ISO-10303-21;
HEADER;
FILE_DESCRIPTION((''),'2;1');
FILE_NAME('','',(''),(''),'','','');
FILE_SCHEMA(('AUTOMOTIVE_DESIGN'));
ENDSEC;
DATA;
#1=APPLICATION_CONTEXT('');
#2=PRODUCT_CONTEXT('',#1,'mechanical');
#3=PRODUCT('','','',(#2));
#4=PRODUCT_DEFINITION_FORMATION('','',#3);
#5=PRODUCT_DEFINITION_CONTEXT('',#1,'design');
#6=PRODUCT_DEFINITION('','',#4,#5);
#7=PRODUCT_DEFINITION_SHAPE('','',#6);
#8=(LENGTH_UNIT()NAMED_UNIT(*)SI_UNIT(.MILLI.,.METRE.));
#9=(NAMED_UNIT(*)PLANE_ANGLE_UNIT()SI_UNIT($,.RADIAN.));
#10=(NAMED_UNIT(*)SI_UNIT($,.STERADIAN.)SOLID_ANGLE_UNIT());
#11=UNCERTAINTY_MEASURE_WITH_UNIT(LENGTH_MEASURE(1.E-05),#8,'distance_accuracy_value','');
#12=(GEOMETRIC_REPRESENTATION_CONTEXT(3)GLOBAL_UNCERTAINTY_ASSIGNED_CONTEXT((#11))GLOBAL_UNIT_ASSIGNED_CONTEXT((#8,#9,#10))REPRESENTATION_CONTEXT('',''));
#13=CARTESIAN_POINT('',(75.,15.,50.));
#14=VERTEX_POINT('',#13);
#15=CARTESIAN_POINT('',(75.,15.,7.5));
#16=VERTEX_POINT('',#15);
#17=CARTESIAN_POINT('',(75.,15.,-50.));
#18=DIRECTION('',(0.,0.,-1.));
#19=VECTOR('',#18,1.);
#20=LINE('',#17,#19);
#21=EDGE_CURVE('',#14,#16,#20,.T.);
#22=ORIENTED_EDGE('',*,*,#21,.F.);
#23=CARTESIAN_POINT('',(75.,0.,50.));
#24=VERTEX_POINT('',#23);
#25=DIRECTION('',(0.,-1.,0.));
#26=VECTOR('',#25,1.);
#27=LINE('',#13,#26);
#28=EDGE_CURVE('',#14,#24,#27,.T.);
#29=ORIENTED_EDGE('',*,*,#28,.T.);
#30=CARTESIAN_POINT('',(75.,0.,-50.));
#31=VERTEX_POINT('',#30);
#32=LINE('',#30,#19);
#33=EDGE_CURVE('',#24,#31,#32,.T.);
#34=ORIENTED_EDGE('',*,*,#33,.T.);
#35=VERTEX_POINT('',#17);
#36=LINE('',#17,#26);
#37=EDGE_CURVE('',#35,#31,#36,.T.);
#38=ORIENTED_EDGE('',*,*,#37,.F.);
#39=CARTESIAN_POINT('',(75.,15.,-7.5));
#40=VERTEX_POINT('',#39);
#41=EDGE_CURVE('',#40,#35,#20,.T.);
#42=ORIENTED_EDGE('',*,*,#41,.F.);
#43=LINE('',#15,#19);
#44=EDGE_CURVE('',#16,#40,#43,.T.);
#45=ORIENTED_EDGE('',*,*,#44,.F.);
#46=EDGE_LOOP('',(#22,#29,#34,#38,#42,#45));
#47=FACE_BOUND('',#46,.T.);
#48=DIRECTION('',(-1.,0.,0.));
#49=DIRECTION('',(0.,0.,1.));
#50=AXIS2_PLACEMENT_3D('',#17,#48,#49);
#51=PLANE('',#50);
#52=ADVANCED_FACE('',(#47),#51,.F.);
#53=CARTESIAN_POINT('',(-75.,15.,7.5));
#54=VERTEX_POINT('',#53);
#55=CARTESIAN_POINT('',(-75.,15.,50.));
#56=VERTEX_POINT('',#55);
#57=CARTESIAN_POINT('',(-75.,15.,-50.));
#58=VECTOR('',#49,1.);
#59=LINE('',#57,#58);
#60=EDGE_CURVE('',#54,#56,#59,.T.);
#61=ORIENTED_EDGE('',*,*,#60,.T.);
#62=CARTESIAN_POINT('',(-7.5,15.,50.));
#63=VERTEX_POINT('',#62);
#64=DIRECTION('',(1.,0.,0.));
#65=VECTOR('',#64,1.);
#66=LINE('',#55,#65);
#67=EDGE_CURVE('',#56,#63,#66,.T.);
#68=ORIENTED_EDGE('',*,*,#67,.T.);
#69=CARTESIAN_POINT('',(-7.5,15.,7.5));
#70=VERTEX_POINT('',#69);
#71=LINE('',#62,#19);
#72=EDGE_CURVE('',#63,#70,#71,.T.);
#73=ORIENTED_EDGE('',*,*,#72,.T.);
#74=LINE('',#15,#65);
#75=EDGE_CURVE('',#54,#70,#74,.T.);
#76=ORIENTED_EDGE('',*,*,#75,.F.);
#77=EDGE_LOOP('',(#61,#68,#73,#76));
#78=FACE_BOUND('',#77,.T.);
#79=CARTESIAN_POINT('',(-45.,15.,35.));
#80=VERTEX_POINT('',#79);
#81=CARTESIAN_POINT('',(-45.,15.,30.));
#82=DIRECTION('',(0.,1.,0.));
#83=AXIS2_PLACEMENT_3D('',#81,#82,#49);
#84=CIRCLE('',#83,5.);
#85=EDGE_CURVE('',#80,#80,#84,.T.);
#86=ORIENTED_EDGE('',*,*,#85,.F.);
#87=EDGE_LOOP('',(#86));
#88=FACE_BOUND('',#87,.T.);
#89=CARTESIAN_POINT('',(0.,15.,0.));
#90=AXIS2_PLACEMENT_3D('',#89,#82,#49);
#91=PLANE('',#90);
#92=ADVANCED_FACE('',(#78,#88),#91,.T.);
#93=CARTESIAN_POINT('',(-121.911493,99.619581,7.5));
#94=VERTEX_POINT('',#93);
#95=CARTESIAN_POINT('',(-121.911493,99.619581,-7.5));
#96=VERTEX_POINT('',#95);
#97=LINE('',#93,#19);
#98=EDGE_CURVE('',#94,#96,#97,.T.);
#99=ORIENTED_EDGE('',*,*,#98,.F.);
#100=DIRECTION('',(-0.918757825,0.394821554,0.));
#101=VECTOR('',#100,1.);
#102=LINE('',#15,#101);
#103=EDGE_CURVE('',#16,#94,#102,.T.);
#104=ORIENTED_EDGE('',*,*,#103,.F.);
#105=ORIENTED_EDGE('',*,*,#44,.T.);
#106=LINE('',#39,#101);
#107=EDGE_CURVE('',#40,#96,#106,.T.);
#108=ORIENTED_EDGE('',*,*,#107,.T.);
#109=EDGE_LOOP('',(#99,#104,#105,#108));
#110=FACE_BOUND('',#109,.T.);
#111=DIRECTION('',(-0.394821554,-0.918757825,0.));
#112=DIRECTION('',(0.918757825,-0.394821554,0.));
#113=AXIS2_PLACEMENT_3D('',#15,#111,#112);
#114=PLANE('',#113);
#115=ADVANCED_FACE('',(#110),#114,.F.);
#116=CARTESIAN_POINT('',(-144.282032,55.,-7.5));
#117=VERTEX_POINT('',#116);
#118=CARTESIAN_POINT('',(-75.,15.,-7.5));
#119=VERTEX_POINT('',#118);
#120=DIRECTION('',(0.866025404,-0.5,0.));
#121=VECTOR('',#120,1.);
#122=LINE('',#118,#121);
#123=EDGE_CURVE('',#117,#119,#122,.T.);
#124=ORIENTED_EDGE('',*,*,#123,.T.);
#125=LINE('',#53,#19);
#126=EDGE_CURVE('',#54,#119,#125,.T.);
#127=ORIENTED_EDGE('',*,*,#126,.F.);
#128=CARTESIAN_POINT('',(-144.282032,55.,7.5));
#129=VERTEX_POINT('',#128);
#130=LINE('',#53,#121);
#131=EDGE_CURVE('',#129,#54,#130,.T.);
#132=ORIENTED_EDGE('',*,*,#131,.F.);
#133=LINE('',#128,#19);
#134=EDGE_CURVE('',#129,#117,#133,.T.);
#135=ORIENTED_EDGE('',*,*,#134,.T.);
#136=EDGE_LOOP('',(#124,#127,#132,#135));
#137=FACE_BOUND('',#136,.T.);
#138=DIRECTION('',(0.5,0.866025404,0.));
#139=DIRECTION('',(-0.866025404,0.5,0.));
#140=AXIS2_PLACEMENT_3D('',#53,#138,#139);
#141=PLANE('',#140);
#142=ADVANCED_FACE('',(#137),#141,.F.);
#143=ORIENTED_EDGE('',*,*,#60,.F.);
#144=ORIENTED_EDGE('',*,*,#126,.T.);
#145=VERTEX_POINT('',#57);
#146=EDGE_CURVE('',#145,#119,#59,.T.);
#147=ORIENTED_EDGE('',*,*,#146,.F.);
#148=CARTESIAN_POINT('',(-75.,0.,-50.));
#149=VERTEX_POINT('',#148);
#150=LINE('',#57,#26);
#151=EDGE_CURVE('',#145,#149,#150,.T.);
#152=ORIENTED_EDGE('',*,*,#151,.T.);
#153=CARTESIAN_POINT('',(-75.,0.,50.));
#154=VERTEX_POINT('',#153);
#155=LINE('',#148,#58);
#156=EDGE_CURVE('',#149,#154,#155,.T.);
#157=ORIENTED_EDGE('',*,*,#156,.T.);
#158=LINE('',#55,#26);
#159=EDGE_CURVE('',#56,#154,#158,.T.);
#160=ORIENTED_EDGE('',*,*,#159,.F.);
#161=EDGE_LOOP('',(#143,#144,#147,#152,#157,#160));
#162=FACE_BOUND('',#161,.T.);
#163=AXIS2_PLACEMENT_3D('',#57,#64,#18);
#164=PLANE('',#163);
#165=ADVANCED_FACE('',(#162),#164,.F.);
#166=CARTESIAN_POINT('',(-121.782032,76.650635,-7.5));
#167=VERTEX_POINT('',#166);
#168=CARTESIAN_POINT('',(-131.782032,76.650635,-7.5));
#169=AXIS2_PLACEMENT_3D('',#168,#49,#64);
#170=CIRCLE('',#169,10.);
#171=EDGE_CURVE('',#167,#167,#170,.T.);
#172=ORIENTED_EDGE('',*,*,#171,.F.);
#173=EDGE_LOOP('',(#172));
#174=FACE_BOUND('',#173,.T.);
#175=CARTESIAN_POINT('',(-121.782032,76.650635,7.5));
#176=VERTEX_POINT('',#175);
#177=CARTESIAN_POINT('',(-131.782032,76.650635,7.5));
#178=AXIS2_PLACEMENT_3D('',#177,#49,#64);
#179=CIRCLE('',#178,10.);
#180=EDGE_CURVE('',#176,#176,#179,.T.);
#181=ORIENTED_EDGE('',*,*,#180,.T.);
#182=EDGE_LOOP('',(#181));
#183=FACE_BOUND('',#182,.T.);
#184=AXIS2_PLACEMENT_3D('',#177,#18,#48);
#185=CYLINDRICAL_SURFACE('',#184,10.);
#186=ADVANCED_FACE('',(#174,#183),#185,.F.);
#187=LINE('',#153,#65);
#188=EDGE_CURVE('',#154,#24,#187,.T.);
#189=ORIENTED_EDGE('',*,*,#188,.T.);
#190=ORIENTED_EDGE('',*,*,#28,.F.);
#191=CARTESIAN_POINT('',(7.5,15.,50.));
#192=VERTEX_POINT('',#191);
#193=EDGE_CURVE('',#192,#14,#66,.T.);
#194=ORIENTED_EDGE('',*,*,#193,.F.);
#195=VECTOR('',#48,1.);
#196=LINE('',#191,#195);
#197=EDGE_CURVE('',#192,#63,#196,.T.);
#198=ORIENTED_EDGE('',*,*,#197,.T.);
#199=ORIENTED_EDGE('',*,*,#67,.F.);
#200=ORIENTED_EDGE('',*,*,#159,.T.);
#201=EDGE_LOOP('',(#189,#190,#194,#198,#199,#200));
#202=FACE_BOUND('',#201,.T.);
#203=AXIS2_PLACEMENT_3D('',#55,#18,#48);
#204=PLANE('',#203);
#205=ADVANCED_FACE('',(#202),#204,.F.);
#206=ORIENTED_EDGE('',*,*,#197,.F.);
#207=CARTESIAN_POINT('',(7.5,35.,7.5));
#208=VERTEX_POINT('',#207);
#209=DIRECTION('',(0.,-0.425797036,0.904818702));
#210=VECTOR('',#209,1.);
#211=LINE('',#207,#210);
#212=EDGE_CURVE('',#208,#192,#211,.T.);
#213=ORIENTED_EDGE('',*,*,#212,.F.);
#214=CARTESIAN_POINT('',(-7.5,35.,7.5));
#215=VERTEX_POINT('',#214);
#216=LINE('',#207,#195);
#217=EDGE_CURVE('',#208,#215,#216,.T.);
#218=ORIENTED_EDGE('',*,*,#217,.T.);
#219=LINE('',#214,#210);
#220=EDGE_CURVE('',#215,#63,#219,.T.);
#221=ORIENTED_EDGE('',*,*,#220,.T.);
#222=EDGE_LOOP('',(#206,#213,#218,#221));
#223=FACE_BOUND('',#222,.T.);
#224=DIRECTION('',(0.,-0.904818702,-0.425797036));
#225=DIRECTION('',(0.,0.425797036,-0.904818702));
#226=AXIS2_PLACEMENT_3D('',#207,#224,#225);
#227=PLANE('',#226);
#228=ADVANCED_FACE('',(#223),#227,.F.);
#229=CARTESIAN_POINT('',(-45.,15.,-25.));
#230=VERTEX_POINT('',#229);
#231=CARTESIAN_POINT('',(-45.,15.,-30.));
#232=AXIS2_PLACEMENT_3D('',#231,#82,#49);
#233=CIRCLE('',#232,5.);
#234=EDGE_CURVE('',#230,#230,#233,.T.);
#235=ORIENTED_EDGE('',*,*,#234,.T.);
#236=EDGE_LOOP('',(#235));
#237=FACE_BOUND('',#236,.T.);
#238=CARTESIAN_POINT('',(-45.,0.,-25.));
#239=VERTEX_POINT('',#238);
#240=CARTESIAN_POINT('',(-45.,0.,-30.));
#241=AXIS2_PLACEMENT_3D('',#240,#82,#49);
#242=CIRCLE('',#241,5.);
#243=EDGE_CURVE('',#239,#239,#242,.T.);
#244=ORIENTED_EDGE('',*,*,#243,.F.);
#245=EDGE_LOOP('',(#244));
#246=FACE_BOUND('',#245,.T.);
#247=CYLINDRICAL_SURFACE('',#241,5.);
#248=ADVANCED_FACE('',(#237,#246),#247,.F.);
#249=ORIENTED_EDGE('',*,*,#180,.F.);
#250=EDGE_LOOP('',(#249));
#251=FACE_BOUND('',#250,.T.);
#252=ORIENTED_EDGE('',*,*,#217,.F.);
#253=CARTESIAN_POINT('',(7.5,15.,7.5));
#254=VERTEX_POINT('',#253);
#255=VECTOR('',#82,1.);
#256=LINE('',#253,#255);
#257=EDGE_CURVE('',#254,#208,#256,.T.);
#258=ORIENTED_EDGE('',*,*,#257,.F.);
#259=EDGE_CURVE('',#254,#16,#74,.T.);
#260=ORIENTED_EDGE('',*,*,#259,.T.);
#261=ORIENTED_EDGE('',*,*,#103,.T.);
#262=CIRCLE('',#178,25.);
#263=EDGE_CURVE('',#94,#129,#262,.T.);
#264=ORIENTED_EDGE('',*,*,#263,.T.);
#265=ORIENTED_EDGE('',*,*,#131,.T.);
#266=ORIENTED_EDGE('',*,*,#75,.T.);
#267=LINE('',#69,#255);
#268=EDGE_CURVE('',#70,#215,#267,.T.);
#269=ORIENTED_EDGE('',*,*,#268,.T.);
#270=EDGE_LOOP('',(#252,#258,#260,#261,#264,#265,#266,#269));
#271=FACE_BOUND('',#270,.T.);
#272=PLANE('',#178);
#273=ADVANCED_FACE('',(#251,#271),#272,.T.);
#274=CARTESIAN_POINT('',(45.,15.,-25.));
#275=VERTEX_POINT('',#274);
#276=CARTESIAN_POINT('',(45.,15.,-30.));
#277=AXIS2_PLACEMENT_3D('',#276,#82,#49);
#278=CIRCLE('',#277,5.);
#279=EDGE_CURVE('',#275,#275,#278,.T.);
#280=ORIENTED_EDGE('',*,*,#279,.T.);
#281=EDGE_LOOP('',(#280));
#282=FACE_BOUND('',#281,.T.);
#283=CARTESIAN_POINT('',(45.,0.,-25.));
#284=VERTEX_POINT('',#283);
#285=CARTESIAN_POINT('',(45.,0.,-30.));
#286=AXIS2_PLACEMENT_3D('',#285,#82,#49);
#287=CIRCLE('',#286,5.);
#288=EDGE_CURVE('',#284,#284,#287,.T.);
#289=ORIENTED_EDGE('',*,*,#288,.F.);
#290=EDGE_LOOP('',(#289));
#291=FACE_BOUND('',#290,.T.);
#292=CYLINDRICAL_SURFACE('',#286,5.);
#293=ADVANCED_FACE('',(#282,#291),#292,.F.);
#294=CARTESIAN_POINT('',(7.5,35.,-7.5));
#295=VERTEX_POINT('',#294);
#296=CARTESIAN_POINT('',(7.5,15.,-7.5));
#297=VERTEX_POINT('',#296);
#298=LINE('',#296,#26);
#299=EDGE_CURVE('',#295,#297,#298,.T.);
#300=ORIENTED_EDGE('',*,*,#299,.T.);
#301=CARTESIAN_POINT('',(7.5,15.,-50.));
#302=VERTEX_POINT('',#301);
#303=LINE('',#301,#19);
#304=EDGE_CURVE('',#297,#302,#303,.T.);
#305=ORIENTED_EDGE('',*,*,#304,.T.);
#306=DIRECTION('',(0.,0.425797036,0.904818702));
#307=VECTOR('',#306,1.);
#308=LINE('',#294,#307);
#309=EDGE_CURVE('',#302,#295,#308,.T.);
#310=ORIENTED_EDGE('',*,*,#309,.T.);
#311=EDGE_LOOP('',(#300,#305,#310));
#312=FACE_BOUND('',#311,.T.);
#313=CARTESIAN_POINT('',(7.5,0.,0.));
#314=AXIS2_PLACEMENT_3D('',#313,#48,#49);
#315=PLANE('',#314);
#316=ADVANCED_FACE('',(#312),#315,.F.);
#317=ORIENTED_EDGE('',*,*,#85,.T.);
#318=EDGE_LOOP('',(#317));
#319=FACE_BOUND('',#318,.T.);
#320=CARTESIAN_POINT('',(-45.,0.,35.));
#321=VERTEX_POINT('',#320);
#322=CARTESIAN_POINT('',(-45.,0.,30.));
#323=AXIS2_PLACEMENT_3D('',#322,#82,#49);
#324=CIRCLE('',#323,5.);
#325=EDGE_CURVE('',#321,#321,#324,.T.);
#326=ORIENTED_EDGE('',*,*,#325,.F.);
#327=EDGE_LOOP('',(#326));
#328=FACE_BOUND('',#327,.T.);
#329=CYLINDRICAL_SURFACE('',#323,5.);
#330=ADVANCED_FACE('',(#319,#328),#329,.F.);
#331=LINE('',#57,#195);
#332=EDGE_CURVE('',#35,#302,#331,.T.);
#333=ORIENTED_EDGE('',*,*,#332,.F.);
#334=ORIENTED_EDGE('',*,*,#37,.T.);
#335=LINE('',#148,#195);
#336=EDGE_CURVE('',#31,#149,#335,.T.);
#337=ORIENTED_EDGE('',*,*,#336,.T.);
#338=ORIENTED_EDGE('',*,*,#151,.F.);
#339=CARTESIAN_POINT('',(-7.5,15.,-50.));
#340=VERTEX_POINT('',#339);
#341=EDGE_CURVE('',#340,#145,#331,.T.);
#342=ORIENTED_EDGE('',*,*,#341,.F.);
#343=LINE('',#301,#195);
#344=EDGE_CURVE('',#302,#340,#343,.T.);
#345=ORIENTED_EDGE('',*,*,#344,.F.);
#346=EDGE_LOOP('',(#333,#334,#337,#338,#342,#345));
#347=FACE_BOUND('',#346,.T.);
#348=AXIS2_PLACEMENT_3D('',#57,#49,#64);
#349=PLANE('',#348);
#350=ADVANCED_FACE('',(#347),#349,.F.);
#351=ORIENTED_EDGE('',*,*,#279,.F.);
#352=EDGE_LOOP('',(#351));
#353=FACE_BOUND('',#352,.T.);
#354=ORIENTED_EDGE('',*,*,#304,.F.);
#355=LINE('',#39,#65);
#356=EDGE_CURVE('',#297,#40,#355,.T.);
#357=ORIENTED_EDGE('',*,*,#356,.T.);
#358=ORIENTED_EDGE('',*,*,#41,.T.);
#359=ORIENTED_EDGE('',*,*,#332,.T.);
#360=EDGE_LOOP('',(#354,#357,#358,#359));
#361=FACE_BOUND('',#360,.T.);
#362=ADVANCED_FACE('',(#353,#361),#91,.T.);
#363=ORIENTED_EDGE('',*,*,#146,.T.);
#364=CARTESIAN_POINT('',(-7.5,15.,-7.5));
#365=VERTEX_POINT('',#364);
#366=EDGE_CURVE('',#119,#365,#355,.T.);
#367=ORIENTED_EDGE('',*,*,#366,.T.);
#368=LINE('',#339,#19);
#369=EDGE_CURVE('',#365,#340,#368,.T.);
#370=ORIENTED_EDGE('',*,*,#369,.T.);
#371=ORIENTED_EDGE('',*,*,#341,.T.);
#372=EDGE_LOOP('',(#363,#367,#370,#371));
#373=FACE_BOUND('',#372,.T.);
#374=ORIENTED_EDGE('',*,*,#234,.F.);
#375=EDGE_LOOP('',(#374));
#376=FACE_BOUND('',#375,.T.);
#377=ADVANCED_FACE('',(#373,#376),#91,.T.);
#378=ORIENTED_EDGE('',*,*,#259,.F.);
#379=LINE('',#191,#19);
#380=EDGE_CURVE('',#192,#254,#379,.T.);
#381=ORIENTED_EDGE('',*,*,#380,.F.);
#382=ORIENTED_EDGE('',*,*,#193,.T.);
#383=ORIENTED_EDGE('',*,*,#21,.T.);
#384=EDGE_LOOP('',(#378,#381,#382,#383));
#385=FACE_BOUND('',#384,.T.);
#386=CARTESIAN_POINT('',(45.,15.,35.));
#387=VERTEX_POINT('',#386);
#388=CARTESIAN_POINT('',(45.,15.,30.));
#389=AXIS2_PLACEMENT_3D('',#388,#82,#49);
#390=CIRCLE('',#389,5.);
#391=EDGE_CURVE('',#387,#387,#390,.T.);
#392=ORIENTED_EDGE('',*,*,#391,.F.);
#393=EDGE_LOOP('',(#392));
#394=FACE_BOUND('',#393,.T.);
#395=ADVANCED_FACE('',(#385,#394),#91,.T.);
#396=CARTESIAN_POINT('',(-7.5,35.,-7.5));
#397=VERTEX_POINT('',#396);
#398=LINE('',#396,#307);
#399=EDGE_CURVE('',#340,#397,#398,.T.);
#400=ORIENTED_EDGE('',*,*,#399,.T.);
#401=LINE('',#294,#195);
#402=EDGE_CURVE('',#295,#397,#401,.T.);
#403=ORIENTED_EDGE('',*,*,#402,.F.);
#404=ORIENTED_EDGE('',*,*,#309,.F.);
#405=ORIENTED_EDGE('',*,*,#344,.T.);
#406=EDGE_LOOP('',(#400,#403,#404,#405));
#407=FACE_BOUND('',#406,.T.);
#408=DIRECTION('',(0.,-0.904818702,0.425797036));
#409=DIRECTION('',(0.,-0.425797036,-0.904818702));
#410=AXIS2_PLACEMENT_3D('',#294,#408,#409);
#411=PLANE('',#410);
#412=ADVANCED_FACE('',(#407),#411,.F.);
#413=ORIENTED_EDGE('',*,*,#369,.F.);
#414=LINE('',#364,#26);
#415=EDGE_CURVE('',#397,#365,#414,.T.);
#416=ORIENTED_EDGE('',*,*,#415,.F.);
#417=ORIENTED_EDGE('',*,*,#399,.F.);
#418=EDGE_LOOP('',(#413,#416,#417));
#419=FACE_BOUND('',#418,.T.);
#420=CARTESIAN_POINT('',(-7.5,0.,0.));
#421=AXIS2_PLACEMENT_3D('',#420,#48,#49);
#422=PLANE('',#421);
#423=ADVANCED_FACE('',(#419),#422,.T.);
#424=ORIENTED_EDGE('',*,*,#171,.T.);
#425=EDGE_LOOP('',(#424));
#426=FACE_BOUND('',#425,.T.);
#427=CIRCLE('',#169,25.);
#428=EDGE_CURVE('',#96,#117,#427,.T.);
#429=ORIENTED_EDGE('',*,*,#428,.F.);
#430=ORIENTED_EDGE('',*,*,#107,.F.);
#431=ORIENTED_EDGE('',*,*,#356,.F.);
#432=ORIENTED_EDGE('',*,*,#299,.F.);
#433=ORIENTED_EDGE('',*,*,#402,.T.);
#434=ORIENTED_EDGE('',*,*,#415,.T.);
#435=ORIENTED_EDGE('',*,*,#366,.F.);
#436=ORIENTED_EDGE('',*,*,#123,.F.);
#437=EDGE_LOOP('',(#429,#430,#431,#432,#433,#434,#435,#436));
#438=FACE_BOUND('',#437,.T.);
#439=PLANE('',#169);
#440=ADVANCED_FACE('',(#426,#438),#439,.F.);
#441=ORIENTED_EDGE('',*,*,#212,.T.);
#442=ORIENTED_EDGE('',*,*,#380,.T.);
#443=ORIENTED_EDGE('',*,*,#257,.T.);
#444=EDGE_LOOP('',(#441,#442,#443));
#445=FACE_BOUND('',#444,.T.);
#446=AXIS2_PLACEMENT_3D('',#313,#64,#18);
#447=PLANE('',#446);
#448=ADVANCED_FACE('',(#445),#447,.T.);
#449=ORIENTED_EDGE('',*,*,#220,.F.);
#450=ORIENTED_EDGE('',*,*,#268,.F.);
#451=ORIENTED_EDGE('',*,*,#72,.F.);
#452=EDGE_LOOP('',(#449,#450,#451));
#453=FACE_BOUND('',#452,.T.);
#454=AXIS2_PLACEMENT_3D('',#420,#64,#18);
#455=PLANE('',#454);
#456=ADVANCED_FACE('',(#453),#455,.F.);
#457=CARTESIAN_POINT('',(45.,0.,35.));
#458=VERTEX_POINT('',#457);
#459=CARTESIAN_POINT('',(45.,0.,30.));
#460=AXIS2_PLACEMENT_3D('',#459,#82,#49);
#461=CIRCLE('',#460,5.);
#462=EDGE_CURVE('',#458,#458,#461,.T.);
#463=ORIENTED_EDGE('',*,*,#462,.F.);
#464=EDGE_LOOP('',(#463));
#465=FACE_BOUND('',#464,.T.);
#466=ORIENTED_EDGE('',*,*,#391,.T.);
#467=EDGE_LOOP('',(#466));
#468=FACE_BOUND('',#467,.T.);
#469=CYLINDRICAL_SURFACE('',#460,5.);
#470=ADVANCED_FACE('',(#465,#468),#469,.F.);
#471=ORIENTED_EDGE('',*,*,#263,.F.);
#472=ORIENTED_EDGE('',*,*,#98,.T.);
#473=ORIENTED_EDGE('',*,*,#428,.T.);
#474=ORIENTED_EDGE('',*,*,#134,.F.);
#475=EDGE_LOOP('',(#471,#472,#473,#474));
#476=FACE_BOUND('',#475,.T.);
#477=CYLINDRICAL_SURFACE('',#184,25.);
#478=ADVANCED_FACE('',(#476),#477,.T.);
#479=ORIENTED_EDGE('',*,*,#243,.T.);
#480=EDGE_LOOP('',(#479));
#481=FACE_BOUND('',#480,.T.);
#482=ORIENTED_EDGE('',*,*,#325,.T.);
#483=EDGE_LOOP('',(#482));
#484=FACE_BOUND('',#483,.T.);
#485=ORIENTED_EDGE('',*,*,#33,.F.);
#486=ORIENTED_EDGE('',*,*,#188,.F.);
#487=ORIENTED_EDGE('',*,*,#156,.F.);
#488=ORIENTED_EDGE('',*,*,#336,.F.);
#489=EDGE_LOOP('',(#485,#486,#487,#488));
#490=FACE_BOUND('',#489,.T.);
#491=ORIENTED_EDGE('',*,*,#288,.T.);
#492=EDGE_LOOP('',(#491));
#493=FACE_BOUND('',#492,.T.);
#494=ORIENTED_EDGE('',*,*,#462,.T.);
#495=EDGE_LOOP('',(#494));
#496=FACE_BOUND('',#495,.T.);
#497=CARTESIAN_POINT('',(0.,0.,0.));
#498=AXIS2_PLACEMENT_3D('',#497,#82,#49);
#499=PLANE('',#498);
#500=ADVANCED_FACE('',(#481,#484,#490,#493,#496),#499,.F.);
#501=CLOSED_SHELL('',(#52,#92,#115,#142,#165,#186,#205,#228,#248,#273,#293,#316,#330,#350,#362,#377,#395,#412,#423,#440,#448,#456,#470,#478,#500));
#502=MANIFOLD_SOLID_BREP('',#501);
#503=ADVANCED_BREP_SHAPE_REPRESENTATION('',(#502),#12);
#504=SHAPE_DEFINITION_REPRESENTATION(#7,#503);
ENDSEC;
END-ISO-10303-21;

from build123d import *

# Parameters (mm, degrees)
SKETCH1_W           = 150
SKETCH1_H           = 100
BOSS_EXTRUDE1_DEPTH = 15
SKETCH2_R           = 5
CUT_EXTRUDE2_DEPTH  = 15
SKETCH4_R           = 10
BOSS_EXTRUDE3_DEPTH = 7.5
BOSS_EXTRUDE4_DEPTH = 7.5
BOSS_EXTRUDE5_DEPTH = 7.5


with BuildPart() as part:
    # Sketch1 → Boss-Extrude1 (new body)
    with BuildSketch(Plane(origin=(0, 0, 0), x_dir=(1, 0, 0), z_dir=(0, 1, 0))):
        Rectangle(SKETCH1_W, SKETCH1_H)
    extrude(amount=BOSS_EXTRUDE1_DEPTH)

    # Sketch2 → Cut-Extrude2 (cut)
    with BuildSketch(Plane(origin=(0, 15, 0), x_dir=(1, 0, 0), z_dir=(0, 1, 0))):
        with Locations((45, -30)):
            Circle(SKETCH2_R)
        with Locations((45, 30)):
            Circle(SKETCH2_R)
        with Locations((-45, 30)):
            Circle(SKETCH2_R)
        with Locations((-45, -30)):
            Circle(SKETCH2_R)
    extrude(amount=-CUT_EXTRUDE2_DEPTH, mode=Mode.SUBTRACT)

    # Sketch4 → Boss-Extrude3 (add, symmetric)
    with BuildSketch(Plane.XY):
        with BuildLine():
            Line((75, 15), (-75, 15))
            Line((-75, 15), (-144.282032303, 55))
            ThreePointArc((-144.282032303, 55), (-154.13052805, 87.855309915), (-121.911493446, 99.61958071))
            Line((-121.911493446, 99.61958071), (75, 15))
        make_face()
        with Locations((-131.782032303, 76.650635095)):
            Circle(SKETCH4_R, mode=Mode.SUBTRACT)
    extrude(amount=BOSS_EXTRUDE3_DEPTH, both=True)

    # Sketch5 → Boss-Extrude4 (add, symmetric)
    with BuildSketch(Plane(origin=(0, 0, 0), x_dir=(0, 0, -1), z_dir=(1, 0, 0))):
        Polygon((-7.5, 15), (-7.5, 35), (-50, 15), align=None)
    extrude(amount=BOSS_EXTRUDE4_DEPTH, both=True)

    # Sketch6 → Boss-Extrude5 (add, symmetric)
    with BuildSketch(Plane(origin=(0, 0, 0), x_dir=(0, 0, -1), z_dir=(1, 0, 0))):
        Polygon((7.5, 15), (7.5, 35), (50, 15), align=None)
    extrude(amount=BOSS_EXTRUDE5_DEPTH, both=True)


solid = part.part
